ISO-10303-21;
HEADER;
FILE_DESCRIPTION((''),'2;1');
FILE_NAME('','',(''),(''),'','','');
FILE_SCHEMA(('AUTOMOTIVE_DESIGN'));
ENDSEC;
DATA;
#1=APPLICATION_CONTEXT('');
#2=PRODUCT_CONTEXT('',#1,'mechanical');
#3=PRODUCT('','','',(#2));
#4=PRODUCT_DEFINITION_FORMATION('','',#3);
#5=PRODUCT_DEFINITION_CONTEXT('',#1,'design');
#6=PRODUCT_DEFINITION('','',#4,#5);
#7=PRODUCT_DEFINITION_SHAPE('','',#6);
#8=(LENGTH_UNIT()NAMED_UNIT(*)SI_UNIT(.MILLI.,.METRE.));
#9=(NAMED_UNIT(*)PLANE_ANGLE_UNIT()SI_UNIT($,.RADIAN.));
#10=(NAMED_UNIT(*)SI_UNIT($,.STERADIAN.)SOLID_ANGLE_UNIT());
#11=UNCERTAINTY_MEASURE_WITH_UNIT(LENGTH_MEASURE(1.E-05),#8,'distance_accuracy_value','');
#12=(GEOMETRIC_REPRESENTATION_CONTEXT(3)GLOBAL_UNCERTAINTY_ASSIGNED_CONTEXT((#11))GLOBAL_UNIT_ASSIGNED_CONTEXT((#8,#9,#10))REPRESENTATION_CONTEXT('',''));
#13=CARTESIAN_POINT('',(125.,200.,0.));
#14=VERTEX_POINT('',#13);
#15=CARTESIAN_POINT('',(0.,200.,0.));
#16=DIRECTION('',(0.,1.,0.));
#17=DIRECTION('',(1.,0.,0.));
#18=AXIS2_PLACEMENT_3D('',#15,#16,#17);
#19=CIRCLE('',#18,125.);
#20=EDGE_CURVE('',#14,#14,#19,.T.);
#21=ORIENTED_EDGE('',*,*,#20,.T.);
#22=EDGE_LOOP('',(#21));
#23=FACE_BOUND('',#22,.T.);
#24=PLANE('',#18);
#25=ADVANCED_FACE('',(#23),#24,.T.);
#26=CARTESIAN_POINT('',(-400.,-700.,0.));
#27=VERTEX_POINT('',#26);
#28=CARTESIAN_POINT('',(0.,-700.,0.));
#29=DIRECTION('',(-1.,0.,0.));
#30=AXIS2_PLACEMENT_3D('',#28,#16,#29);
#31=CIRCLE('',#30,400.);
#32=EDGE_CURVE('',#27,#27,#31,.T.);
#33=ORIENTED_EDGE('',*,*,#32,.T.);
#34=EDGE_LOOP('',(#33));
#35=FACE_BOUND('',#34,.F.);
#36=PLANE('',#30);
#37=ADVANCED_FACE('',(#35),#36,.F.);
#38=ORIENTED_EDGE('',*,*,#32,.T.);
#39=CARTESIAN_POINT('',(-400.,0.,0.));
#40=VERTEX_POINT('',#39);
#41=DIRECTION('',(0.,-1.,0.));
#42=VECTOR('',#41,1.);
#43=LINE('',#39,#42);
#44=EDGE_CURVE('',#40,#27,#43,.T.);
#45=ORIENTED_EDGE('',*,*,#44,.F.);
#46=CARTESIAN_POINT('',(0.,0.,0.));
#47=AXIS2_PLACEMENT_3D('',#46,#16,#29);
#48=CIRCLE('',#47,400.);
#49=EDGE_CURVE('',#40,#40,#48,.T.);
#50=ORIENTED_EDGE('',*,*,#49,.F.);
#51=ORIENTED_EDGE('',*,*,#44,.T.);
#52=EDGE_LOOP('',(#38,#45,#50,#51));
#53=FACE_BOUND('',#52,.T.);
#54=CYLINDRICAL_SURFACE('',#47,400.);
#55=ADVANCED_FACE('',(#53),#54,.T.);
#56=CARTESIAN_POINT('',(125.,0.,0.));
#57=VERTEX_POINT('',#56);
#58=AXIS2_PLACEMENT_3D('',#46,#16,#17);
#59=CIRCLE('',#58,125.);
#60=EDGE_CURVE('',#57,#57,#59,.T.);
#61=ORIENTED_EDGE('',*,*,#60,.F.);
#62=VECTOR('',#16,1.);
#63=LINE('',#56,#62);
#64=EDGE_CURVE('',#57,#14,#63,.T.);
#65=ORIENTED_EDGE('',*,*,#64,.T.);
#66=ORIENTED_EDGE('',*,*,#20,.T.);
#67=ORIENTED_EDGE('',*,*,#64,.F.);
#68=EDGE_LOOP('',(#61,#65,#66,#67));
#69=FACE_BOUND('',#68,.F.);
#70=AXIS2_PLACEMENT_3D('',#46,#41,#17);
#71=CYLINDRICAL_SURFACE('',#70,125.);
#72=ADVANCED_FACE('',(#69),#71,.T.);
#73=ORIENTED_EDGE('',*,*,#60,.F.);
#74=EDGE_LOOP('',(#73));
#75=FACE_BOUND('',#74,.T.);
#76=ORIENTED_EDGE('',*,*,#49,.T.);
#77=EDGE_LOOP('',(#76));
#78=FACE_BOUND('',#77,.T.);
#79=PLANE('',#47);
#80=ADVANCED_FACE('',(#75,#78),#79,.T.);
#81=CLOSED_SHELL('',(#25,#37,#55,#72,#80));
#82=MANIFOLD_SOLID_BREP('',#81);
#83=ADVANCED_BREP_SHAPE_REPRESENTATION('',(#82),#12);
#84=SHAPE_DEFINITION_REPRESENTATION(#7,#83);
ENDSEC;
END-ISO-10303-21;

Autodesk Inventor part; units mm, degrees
ref_plane "YZ Plane" through (0, 0, 0) normal (1, 0, 0) x (0, 1, 0)
ref_plane "XZ Plane" through (0, 0, 0) normal (0, 1, 0) x (-1, 0, 0)
ref_plane "XY Plane" through (0, 0, 0) normal (0, 0, 1) x (1, 0, 0)
sketch "Sketch1" plane through (0, 0, 0) normal (0, 1, 0) x (-1, 0, 0)
  circle A0 centre (0, 0) radius 400
  dimension "d0" = 800
extrude "Extrusion1" add sketch "Sketch1" against normal blind 700
sketch "Sketch2" plane through (0, 0, 0) normal (0, 1, 0) x (1, 0, 0)
  circle A0 centre (0, 0) radius 125
  dimension "d8" = 250
extrude "Extrusion2" add sketch "Sketch2" along normal blind 200
properties part number "Dc motor"
